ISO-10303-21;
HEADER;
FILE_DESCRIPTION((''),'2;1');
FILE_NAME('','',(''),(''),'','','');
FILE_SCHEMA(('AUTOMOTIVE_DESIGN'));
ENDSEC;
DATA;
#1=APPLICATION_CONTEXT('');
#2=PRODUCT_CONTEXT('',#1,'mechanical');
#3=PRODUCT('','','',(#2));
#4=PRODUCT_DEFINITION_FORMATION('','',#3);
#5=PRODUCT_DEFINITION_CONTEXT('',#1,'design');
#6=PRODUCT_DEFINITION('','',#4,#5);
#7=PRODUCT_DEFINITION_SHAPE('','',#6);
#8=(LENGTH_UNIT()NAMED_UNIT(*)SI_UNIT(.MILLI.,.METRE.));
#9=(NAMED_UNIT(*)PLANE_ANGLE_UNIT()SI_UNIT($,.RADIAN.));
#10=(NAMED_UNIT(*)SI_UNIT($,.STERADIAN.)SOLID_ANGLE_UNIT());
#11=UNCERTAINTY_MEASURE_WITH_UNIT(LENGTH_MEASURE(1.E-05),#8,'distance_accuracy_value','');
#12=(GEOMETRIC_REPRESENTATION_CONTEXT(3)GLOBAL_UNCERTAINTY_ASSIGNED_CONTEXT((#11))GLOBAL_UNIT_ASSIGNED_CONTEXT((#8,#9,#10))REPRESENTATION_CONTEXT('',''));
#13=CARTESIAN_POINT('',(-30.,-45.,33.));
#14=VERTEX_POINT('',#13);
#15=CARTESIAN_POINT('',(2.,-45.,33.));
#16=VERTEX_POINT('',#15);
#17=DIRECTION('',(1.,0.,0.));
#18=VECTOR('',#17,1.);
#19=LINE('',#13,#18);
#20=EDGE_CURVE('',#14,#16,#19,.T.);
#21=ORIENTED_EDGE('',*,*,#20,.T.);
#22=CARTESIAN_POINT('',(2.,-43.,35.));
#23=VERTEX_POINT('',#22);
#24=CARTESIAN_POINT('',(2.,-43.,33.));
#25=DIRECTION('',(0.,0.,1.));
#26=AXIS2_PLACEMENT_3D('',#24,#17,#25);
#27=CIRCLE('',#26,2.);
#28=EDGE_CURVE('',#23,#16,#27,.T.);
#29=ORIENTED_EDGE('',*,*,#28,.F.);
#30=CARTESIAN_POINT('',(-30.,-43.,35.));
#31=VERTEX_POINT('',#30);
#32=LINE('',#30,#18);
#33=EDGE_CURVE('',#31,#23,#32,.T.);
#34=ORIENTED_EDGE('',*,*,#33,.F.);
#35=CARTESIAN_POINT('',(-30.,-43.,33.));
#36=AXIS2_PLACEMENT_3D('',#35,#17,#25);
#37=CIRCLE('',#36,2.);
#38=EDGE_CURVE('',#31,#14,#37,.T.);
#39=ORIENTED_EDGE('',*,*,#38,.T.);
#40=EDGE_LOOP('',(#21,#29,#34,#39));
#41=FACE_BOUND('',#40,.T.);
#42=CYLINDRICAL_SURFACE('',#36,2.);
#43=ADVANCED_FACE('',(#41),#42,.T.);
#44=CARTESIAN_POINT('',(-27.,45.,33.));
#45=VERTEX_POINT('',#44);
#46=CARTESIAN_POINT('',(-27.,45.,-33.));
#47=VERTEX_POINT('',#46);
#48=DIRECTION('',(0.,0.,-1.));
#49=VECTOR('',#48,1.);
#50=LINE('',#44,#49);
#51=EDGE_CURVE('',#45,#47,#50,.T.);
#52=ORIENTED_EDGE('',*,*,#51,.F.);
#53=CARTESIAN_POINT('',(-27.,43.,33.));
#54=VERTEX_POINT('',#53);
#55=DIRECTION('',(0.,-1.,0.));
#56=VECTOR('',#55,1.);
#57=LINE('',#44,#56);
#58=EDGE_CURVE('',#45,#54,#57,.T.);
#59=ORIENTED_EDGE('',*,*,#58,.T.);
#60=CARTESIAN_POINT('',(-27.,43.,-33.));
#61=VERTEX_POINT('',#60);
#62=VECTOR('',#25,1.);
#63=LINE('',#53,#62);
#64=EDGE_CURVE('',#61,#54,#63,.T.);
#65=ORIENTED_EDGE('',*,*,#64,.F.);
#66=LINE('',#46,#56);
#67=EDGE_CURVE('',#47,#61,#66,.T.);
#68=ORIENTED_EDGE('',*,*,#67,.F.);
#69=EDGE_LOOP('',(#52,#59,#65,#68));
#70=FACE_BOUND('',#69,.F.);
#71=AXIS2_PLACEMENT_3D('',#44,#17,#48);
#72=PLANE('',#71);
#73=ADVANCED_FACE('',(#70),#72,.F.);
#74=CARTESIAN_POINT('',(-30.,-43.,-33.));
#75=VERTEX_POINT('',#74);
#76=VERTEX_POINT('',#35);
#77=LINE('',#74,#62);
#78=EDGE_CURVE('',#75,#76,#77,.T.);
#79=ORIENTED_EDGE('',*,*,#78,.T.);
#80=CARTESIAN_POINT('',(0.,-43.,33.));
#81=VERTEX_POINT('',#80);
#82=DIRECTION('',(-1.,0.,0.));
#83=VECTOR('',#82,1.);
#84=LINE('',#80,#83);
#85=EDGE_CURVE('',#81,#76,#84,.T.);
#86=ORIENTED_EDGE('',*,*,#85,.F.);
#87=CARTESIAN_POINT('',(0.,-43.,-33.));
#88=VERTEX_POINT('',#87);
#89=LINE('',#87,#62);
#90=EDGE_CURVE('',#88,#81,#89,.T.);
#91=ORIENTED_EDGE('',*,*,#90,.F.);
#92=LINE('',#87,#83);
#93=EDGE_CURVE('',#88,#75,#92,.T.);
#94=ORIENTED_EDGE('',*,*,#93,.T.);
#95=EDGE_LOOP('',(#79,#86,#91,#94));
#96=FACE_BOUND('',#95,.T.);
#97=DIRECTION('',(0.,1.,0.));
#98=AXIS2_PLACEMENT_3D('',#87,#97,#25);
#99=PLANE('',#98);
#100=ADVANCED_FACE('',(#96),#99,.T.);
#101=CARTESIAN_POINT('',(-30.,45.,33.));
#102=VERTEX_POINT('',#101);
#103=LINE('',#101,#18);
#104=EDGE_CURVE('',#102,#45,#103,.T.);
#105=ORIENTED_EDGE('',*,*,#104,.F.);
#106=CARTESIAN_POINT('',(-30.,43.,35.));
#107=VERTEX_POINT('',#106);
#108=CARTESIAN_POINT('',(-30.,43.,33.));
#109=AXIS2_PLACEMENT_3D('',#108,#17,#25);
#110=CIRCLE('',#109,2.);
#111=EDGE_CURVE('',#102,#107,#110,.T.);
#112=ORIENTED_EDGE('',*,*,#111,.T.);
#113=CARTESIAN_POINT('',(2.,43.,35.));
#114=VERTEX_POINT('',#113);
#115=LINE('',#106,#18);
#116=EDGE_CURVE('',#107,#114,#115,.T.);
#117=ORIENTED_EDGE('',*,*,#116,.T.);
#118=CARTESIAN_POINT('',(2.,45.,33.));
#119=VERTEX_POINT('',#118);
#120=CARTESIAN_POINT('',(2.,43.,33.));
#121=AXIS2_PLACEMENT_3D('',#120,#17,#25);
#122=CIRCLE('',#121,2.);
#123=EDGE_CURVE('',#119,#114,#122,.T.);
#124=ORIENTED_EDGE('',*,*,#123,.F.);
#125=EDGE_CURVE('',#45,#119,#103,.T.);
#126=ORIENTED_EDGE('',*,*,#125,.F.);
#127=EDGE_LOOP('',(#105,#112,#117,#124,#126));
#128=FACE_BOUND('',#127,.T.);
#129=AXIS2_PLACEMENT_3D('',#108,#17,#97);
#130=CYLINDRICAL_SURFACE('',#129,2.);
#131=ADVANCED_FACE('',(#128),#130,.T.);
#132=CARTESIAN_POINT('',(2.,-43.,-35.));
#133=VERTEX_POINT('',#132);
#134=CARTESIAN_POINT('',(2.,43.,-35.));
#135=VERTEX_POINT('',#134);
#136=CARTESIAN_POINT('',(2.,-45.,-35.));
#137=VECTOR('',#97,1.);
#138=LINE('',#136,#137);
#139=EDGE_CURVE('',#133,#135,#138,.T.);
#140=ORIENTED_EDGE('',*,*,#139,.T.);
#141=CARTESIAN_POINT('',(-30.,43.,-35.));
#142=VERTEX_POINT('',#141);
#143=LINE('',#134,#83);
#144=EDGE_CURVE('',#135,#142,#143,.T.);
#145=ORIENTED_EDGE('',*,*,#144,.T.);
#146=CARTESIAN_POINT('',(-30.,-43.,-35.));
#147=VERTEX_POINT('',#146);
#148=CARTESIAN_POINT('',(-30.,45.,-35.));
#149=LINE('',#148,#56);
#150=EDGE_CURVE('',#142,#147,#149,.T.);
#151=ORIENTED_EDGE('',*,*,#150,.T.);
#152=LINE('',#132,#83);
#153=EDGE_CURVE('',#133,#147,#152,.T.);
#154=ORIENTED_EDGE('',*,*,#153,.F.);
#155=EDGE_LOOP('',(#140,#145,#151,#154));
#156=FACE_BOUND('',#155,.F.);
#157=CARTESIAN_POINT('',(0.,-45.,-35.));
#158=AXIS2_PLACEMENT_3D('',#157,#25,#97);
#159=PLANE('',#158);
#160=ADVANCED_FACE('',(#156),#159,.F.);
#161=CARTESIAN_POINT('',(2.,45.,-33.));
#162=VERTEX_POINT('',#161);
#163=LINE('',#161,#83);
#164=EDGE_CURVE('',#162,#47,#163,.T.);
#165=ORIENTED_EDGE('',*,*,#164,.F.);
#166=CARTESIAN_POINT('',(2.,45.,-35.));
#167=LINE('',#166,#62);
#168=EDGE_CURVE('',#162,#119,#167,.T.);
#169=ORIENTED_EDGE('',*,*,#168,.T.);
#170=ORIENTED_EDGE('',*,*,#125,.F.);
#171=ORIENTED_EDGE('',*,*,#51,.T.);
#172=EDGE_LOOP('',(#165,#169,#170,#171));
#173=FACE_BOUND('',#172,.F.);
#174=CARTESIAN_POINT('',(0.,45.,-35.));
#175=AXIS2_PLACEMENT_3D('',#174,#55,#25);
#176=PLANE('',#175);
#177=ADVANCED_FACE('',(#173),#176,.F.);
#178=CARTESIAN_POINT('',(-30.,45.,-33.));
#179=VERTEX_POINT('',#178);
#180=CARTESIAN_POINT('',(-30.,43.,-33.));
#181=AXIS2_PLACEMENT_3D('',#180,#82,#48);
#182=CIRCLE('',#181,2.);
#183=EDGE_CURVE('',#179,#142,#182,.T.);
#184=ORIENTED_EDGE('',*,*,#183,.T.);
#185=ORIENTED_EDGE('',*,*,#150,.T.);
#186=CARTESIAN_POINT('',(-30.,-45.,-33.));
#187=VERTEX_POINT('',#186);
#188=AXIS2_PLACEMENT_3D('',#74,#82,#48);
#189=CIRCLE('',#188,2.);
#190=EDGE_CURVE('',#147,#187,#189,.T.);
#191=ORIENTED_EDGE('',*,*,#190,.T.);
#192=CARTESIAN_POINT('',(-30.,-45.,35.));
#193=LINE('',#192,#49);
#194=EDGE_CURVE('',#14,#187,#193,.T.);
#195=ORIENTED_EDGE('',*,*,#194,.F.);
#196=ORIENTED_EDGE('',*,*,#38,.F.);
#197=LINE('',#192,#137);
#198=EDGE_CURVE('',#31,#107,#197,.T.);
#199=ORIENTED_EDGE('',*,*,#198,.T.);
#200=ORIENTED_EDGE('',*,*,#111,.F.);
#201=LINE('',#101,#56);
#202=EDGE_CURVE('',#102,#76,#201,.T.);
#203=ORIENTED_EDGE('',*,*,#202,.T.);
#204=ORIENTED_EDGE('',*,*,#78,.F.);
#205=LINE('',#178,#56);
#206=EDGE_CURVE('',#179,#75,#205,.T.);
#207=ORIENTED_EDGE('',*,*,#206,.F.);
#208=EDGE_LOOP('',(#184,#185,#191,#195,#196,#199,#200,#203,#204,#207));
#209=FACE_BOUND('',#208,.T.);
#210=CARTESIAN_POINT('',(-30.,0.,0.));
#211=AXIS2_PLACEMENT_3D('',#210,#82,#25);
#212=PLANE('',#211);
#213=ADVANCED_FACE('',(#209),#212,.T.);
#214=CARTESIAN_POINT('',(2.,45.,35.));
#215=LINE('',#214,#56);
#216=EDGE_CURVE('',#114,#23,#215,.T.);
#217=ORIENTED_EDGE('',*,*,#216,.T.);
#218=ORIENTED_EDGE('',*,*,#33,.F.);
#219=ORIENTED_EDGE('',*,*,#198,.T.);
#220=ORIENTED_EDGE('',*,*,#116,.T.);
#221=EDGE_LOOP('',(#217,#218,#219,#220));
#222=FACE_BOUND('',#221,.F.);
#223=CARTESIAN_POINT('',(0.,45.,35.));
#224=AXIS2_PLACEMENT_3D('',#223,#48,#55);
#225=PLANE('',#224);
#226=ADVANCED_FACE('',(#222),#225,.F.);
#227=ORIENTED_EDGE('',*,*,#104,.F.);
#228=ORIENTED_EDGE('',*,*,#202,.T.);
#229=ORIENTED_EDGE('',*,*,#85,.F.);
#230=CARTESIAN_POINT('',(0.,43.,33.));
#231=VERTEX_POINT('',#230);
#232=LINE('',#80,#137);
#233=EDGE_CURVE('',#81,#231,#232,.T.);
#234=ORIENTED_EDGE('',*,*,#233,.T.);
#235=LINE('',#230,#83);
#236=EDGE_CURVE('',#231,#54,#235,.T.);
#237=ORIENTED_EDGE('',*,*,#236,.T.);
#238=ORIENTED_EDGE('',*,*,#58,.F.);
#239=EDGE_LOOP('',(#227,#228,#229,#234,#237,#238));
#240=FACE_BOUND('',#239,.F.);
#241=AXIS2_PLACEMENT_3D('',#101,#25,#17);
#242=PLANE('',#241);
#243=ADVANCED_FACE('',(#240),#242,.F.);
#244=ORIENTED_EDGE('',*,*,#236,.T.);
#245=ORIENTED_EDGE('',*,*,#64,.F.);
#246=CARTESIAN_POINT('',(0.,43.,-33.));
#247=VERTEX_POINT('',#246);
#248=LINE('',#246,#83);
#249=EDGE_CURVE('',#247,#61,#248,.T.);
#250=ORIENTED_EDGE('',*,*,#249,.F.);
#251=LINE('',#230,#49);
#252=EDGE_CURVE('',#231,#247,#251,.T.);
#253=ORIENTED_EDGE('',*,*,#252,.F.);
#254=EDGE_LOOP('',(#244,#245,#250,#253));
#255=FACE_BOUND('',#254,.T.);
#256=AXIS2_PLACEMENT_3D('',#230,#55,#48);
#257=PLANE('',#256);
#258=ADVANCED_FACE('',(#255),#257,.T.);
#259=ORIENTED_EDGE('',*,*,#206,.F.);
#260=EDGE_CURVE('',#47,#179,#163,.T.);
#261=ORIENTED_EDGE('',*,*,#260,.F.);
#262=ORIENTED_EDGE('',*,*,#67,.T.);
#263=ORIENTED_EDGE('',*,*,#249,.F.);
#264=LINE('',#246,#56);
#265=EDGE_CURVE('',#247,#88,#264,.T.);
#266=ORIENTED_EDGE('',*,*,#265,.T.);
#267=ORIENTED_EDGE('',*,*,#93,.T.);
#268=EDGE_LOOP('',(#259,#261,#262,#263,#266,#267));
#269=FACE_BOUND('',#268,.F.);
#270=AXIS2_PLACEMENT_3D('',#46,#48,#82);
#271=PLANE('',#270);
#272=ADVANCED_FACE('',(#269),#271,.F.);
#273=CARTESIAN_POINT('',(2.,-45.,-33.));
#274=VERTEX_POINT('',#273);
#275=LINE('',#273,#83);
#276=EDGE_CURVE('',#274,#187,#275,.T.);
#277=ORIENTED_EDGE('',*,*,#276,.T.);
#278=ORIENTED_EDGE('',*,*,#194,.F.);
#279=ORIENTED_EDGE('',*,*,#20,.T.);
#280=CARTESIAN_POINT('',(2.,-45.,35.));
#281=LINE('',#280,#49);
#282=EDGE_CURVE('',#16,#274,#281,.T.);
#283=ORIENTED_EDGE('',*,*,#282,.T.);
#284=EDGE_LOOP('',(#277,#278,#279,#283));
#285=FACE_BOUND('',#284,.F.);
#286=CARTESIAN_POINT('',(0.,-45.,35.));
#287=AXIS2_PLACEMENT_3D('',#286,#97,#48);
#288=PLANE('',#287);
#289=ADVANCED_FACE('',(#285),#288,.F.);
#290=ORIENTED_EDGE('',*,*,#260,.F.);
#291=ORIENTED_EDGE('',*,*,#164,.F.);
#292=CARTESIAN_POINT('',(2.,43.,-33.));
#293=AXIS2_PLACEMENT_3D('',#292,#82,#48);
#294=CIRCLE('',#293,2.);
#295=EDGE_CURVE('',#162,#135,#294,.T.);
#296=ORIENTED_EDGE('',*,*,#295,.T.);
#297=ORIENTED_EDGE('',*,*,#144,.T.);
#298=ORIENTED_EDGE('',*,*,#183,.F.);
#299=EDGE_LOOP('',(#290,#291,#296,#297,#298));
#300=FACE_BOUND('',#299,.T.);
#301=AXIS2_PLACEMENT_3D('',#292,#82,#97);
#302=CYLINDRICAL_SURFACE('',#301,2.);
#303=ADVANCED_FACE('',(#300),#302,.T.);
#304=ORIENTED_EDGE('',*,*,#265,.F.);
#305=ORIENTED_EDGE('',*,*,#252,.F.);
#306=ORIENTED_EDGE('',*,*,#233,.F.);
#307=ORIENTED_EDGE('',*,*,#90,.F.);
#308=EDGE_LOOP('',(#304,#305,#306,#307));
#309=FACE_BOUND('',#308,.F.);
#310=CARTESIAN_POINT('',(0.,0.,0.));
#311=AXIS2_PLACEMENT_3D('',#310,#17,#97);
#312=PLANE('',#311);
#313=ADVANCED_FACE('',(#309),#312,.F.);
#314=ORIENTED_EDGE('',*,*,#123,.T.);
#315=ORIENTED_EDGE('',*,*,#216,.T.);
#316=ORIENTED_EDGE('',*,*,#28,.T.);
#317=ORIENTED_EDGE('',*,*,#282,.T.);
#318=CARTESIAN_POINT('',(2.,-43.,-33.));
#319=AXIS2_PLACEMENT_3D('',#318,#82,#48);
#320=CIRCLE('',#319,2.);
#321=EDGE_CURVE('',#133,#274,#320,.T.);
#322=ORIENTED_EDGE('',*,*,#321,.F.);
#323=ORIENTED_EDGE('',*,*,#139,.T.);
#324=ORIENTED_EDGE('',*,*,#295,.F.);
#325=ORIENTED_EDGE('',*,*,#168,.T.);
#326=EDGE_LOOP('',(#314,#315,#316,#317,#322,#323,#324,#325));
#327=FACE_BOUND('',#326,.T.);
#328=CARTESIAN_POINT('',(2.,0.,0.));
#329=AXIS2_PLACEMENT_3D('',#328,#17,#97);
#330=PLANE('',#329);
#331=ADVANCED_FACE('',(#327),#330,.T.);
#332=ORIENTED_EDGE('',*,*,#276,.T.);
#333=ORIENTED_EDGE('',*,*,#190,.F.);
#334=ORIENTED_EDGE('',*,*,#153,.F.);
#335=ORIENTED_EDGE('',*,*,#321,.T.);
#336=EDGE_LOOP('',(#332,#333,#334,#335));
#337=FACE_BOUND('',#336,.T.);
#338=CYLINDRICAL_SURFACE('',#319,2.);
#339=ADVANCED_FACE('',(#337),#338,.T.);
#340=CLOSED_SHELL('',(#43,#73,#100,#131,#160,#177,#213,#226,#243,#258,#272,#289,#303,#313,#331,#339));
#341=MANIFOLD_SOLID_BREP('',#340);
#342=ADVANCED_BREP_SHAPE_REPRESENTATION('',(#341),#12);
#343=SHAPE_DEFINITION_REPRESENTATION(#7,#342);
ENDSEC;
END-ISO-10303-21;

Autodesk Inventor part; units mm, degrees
ref_plane "YZ Plane" through (0, 0, 0) normal (1, 0, 0) x (0, 1, 0)
ref_plane "XZ Plane" through (0, 0, 0) normal (0, 1, 0) x (-1, 0, 0)
ref_plane "XY Plane" through (0, 0, 0) normal (0, 0, 1) x (1, 0, 0)
sketch "Esquisse1" plane through (0, 0, 0) normal (1, 0, 0) x (0, 1, 0)
  line L0 (45, 35) -> (-45, 35)
  line L1 (-45, 35) -> (-45, -35)
  line L2 (-45, -35) -> (45, -35)
  line L3 (45, -35) -> (45, 35)
  line L4 (0, 39.01) -> (0, -54.7883) construction
  line L5 (27.6574, 0) -> (-32.6664, 0) construction
  point P0 (0, 0)
  dimension "d0" = 70
  dimension "d1" = 90
extrude "Extrusion1" add sketch "Esquisse1" along normal blind 2
sketch "Esquisse2" plane through (0, 0, 0) normal (-1, 0, 0) x (0, 0, 1)
  line L0 (35, -45) -> (-35, -45) projected
  line L1 (-35, 45) -> (35, 45) projected
  line L2 (-35, -45) -> (35, -45)
  line L3 (35, -45) -> (35, 45)
  line L4 (35, 45) -> (-35, 45)
  line L5 (-35, 45) -> (-35, -45)
  line L6 (-33, -43) -> (33, -43)
  line L7 (33, -43) -> (33, 43)
  line L8 (33, 43) -> (-33, 43)
  line L9 (-33, 43) -> (-33, -43)
  point P0 (0, 0)
  dimension "d4" = 2
  dimension "d5" = 2
  dimension "d6" = 2
  dimension "d7" = 2
extrude "Extrusion2" add sketch "Esquisse2" along normal blind 30
fillet "Congé1" radius 2 2 edges at (-14, 45, 35) (-14, -45, 35)
fillet "Congé2" radius 2 2 edges at (-14, 45, -35) (-14, -45, -35)
sketch "Esquisse11" plane through (-30, 45, 33) normal (0, 1, 0) x (1, 0, 0)
  line L0 (0, 66) -> (0, 0) projected
  line L1 (30, 66) -> (0, 66) projected
  line L2 (0, 0) -> (3, 0)
  line L3 (3, 0) -> (3, 66)
  line L4 (3, 66) -> (0, 66)
  line L5 (0, 66) -> (0, 0)
  point P0 (30, 33)
  dimension "d79" = 3
extrude "Extrusion11" cut sketch "Esquisse11" against normal blind 10
properties part number "Base"
